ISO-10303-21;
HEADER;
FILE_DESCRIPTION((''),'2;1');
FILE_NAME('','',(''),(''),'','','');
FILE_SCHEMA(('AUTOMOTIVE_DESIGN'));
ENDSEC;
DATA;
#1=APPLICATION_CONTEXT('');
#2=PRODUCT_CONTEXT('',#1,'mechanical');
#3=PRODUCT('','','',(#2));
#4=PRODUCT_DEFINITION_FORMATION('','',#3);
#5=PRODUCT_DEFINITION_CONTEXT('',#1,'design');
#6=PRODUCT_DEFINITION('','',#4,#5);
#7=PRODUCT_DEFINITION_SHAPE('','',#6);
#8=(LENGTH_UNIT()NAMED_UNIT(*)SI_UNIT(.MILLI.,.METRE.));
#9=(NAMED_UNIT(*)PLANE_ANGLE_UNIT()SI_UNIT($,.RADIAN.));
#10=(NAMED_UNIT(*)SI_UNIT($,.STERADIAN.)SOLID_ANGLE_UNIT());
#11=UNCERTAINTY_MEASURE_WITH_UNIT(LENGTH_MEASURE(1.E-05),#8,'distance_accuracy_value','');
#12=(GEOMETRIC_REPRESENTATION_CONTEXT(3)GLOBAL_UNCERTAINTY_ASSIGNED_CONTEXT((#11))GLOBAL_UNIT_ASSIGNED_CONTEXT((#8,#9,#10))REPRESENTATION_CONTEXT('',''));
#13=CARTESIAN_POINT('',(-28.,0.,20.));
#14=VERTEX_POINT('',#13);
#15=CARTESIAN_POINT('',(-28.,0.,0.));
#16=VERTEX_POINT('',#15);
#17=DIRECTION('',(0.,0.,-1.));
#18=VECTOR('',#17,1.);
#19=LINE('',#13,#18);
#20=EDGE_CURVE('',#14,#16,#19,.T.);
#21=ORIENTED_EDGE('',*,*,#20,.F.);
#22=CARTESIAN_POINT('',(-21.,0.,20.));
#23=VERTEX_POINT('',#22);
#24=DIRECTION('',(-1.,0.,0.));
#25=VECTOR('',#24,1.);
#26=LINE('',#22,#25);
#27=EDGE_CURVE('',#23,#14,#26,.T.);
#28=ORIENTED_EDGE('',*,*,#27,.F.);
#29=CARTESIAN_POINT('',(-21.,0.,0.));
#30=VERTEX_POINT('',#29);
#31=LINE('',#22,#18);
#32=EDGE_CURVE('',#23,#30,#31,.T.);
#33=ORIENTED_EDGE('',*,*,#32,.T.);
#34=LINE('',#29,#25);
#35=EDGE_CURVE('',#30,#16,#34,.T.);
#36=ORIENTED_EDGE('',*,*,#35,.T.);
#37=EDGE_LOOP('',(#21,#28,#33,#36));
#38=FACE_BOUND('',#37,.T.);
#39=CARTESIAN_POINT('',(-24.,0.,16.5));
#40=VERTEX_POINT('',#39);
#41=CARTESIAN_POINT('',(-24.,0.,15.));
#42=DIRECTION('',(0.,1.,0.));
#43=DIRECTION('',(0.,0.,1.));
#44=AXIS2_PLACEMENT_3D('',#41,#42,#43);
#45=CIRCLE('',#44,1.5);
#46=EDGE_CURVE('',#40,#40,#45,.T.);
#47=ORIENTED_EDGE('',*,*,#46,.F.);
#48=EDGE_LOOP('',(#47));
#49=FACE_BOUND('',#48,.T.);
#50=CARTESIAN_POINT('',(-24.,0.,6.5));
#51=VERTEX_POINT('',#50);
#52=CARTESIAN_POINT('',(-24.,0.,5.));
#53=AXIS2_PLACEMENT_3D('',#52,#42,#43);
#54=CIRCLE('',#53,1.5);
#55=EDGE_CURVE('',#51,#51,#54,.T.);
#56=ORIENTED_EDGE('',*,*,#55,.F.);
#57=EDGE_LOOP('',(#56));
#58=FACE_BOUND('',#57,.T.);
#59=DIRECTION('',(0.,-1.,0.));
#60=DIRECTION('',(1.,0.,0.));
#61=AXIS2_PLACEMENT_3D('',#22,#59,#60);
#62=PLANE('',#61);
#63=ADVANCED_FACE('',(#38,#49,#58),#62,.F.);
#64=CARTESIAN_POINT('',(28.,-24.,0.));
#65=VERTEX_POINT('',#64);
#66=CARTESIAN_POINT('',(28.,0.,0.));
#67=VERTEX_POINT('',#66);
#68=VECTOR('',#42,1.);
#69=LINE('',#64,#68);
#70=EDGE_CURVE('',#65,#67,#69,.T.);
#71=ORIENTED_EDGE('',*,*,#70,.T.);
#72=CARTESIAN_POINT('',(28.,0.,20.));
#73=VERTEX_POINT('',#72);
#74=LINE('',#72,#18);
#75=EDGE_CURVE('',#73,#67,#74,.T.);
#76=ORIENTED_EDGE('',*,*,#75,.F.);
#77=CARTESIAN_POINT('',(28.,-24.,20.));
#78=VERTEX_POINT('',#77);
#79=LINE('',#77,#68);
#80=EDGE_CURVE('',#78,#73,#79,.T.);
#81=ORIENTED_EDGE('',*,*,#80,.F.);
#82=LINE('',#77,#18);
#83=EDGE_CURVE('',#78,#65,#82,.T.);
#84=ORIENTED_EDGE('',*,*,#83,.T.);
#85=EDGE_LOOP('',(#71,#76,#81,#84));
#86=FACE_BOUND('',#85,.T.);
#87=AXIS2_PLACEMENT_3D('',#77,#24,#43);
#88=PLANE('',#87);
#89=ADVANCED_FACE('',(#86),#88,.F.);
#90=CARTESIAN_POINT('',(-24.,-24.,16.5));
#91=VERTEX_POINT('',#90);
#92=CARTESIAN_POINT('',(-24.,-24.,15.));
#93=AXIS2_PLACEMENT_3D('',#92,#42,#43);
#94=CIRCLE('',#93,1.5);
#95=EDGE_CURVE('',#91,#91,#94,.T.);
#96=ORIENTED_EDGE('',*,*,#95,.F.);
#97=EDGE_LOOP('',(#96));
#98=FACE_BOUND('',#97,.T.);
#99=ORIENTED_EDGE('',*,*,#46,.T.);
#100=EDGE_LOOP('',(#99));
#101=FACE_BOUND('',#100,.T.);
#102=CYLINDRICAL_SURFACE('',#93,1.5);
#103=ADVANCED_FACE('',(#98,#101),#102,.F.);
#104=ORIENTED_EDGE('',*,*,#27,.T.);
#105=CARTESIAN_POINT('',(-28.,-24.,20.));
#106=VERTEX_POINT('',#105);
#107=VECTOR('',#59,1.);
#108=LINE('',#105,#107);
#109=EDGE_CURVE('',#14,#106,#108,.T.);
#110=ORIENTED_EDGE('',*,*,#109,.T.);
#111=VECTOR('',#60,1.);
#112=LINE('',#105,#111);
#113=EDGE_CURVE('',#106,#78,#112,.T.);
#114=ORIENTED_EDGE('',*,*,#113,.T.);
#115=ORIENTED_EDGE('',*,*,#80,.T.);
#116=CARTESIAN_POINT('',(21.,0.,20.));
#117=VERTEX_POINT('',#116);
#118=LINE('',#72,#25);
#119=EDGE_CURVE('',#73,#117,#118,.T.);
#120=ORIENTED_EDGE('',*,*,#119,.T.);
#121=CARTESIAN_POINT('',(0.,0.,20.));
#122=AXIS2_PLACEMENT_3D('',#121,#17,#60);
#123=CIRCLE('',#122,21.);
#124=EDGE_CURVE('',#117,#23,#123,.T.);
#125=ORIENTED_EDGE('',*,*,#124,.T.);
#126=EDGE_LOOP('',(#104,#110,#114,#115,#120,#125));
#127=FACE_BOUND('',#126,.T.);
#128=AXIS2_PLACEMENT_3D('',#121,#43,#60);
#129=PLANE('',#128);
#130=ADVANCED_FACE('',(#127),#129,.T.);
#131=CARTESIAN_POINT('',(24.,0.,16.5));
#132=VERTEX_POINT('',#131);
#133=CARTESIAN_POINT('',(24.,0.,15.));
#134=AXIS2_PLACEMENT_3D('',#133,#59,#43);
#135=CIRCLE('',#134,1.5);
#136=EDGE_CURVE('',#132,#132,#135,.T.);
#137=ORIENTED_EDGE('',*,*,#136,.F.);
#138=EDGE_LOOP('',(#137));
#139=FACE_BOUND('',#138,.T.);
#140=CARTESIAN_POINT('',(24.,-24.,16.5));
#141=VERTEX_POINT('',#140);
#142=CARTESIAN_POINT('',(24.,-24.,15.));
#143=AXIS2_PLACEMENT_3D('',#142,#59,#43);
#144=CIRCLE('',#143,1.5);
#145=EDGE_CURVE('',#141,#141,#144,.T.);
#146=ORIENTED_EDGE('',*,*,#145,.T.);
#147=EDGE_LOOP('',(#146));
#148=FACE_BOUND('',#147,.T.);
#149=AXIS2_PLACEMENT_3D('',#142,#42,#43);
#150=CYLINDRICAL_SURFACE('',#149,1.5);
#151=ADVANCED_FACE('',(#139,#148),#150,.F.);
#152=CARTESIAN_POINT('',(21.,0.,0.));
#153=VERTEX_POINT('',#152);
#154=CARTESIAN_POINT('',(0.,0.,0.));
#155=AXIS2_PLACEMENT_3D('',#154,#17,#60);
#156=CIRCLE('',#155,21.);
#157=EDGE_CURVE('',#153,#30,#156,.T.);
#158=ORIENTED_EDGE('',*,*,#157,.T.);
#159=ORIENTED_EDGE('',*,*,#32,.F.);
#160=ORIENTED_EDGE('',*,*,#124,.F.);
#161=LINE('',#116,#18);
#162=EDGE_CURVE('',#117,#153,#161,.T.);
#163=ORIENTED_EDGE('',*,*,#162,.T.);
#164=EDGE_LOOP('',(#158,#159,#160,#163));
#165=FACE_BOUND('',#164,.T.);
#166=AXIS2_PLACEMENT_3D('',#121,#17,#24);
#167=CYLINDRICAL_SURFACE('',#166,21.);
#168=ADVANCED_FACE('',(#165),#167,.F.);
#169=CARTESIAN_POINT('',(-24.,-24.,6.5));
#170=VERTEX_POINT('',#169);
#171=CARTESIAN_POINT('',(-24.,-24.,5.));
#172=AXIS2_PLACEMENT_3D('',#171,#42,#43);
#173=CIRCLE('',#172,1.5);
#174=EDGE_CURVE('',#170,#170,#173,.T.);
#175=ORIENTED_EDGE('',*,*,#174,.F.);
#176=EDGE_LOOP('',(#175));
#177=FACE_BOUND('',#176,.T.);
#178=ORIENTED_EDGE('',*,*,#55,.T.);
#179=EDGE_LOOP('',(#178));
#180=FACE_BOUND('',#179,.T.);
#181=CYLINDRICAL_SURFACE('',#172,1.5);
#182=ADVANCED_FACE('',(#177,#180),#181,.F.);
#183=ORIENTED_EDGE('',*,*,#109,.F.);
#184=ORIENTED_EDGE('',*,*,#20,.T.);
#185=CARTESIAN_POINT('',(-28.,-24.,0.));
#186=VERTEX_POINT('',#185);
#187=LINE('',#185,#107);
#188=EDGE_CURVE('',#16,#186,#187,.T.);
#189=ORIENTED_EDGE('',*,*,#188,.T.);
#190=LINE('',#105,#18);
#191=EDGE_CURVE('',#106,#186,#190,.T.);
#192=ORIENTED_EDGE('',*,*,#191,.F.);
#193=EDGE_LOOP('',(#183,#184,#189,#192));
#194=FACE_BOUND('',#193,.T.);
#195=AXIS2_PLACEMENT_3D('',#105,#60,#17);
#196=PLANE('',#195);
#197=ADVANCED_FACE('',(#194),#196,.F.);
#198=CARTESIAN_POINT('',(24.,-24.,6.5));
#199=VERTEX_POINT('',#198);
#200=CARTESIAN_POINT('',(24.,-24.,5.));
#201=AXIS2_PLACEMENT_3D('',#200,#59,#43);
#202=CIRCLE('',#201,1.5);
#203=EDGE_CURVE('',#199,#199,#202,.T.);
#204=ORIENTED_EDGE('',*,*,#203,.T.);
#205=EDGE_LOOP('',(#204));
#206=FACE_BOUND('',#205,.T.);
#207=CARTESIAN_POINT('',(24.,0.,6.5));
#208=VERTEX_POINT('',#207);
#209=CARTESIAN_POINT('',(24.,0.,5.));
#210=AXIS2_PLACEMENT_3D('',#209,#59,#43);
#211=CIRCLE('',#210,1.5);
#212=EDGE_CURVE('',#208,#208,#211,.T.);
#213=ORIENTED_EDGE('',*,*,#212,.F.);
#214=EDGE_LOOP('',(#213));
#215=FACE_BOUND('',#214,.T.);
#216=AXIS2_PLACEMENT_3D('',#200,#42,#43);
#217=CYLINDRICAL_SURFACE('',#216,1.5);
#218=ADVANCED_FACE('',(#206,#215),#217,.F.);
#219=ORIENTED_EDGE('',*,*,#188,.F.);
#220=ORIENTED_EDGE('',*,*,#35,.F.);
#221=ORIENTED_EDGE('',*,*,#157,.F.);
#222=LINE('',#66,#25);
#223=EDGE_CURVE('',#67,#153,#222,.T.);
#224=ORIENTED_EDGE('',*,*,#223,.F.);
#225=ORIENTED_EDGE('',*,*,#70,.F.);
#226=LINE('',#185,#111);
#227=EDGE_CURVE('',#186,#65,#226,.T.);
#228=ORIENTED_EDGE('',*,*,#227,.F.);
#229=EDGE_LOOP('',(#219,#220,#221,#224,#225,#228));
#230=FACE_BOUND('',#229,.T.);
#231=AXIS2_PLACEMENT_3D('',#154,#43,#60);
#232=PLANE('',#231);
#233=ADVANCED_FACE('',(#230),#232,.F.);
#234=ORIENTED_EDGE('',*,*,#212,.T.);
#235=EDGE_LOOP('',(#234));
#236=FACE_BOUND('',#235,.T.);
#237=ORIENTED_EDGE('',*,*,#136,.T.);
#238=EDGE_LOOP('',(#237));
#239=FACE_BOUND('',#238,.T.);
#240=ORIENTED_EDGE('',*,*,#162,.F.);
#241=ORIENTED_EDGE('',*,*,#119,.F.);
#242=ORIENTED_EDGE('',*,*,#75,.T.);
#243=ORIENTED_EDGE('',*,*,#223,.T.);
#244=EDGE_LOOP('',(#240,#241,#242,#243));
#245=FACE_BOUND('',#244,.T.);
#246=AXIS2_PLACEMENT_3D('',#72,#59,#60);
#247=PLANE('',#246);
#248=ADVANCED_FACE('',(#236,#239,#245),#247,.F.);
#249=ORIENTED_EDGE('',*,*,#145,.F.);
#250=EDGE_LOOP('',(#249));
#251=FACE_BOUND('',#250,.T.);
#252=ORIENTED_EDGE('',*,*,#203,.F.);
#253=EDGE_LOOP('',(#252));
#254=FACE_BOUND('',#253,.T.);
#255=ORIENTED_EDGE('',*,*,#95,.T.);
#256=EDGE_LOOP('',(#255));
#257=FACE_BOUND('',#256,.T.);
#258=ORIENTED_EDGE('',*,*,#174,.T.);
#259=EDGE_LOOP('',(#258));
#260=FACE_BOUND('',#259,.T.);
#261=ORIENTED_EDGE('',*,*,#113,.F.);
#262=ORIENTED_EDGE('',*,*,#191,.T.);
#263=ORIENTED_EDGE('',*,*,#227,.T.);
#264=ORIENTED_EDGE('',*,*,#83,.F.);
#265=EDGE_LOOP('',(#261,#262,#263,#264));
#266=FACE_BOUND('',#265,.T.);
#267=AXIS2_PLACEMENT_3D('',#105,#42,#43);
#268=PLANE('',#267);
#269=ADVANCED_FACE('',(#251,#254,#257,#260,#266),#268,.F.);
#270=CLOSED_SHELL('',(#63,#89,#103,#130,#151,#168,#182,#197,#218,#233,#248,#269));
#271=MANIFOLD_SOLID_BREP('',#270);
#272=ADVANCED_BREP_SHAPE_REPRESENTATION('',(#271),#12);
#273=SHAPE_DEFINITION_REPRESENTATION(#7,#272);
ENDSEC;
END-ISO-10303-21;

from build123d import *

# Parameters (mm, degrees)
EXTRUDE_1_DEPTH     = 20
SKETCH_2_R          = 1.5
CUT_EXTRUDE_1_DEPTH = 25


with BuildPart() as part:
    # 草图1 → 凸台-拉伸1 (new body)
    with BuildSketch(Plane.XY):
        with BuildLine():
            Line((-28, -24), (28, -24))
            Line((28, -24), (28, 0))
            Line((28, 0), (21, 0))
            ThreePointArc((21, 0), (0, -21), (-21, 0))
            Line((-21, 0), (-28, 0))
            Line((-28, 0), (-28, -24))
        make_face()
    extrude(amount=EXTRUDE_1_DEPTH)

    # 草图2 → 切除-拉伸1 (cut, through all)
    with BuildSketch(Plane(origin=(0, 0, 0), x_dir=(1, 0, 0), z_dir=(0, 1, 0))):
        with Locations((-24, -5)):
            Circle(SKETCH_2_R)
        with Locations((-24, -15)):
            Circle(SKETCH_2_R)
    cut_extrude_1 = extrude(amount=-CUT_EXTRUDE_1_DEPTH, mode=Mode.SUBTRACT)

    # 镜向1: 切除-拉伸1 across plane
    add(cut_extrude_1.mirror(Plane(origin=(0, 0, 0), x_dir=(0, 0, 1), z_dir=(1, 0, 0))), mode=Mode.SUBTRACT)


solid = part.part
